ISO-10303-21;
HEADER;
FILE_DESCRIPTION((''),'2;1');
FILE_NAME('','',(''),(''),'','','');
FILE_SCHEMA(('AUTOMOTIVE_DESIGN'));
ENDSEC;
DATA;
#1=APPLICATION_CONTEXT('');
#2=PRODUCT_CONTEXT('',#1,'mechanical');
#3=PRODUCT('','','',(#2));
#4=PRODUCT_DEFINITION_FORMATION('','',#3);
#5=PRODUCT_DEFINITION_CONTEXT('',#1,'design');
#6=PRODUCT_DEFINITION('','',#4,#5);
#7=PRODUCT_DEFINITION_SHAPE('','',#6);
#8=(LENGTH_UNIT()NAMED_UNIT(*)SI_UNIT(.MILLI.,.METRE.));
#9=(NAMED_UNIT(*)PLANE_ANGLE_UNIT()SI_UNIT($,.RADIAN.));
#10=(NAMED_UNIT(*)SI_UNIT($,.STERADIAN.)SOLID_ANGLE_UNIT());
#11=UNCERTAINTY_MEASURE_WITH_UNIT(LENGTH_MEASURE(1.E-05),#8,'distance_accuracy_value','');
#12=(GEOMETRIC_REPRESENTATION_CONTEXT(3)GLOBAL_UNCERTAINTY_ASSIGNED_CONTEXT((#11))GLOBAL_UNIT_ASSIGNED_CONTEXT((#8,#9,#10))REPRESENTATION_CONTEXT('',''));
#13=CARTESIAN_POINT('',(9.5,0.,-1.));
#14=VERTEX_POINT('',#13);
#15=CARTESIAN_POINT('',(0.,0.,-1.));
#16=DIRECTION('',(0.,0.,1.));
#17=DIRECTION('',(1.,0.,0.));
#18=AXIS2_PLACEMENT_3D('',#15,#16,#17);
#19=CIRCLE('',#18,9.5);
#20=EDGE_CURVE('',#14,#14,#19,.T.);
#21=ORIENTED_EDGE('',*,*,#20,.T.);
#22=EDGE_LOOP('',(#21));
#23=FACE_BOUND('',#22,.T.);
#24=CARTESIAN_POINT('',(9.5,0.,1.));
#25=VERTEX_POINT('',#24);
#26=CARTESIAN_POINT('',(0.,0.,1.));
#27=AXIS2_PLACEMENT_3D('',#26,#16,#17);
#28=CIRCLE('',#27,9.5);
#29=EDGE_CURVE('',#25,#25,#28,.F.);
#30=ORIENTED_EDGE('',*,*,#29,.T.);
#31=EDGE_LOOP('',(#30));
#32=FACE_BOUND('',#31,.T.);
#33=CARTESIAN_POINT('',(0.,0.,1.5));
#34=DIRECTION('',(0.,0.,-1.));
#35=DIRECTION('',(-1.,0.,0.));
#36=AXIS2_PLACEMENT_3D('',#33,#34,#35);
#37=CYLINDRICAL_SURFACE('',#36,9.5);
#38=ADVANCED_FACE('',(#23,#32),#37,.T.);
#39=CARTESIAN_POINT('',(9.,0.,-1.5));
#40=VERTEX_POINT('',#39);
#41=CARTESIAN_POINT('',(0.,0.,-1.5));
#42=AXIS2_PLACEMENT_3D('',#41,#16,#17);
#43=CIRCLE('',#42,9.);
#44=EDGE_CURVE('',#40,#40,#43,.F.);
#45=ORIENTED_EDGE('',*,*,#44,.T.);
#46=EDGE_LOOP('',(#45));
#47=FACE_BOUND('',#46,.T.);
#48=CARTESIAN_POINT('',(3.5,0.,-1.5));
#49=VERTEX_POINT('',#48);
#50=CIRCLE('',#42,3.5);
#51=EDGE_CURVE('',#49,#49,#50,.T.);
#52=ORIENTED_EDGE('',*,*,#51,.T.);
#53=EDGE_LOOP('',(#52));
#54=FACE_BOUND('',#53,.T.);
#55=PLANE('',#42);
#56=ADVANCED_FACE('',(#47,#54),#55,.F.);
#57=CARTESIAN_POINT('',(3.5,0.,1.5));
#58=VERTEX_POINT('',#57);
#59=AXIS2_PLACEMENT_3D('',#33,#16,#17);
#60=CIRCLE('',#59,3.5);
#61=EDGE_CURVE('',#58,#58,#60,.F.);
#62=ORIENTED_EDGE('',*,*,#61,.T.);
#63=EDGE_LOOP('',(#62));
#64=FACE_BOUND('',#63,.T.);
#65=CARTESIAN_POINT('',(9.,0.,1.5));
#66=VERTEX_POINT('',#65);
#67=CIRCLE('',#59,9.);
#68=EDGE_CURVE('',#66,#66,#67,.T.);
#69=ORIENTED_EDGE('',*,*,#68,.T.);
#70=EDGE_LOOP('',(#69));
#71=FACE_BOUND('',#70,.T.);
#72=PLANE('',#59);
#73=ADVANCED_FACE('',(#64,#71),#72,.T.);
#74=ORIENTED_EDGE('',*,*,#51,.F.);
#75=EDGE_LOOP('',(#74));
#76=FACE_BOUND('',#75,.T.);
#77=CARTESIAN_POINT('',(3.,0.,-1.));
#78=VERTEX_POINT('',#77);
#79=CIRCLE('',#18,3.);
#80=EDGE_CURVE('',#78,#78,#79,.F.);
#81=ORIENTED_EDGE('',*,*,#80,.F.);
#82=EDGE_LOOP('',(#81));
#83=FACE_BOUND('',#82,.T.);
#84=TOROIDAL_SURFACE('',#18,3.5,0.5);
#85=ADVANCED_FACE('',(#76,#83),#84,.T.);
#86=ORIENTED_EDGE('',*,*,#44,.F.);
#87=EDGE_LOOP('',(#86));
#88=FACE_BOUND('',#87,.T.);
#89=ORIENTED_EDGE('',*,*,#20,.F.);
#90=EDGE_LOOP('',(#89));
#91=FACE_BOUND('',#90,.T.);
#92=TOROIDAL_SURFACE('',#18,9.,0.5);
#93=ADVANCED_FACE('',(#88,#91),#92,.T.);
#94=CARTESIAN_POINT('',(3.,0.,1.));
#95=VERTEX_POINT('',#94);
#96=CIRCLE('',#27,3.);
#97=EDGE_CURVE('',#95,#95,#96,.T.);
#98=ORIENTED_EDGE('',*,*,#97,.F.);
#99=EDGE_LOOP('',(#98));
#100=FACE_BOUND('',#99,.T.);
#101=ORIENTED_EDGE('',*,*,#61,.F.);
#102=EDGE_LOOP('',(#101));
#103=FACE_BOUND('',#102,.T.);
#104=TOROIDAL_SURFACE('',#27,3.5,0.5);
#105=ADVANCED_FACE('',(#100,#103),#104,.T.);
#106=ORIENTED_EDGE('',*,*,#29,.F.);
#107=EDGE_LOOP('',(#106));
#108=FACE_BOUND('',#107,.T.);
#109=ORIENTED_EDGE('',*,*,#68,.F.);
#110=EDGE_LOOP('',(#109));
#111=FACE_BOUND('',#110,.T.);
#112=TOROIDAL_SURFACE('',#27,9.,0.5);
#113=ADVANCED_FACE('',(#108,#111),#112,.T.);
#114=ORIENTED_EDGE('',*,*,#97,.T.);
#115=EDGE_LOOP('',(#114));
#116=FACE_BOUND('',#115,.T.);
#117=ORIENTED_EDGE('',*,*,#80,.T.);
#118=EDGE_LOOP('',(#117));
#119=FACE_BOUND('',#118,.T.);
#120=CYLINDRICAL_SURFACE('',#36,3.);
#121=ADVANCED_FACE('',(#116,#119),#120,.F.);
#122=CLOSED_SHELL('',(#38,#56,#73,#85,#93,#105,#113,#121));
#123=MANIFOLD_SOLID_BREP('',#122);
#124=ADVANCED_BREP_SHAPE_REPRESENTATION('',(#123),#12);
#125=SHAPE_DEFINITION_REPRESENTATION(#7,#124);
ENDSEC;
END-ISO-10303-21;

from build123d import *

# Parameters (mm, degrees)
ESBO_O1_R                = 9.5
ESBO_O1_R_2              = 3
RESSALTO_EXTRUS_O1_DEPTH = 1.5
FILETE1_R                = 0.5
FILETE2_R                = 0.5
FILETE3_R                = 0.5


with BuildPart() as part:
    # Esboço1 → Ressalto-extrusão1 (new, symmetric)
    with BuildSketch(Plane.XY):
        Circle(ESBO_O1_R)
        Circle(ESBO_O1_R_2, mode=Mode.SUBTRACT)
    extrude(amount=RESSALTO_EXTRUS_O1_DEPTH, both=True)

    # Filete1
    filete1_edges = [part.edges().sort_by_distance(p)[0] for p in [
        (-9.5, 0, 1.5),
    ]]
    fillet(filete1_edges, radius=FILETE1_R)

    # Filete2
    filete2_edges = [part.edges().sort_by_distance(p)[0] for p in [
        (-9.5, 0, -1.5),
    ]]
    fillet(filete2_edges, radius=FILETE2_R)

    # Filete3
    filete3_edges = [part.edges().sort_by_distance(p)[0] for p in [
        (-3, 0, -1.5),
        (-3, 0, 1.5),
    ]]
    fillet(filete3_edges, radius=FILETE3_R)


solid = part.part
